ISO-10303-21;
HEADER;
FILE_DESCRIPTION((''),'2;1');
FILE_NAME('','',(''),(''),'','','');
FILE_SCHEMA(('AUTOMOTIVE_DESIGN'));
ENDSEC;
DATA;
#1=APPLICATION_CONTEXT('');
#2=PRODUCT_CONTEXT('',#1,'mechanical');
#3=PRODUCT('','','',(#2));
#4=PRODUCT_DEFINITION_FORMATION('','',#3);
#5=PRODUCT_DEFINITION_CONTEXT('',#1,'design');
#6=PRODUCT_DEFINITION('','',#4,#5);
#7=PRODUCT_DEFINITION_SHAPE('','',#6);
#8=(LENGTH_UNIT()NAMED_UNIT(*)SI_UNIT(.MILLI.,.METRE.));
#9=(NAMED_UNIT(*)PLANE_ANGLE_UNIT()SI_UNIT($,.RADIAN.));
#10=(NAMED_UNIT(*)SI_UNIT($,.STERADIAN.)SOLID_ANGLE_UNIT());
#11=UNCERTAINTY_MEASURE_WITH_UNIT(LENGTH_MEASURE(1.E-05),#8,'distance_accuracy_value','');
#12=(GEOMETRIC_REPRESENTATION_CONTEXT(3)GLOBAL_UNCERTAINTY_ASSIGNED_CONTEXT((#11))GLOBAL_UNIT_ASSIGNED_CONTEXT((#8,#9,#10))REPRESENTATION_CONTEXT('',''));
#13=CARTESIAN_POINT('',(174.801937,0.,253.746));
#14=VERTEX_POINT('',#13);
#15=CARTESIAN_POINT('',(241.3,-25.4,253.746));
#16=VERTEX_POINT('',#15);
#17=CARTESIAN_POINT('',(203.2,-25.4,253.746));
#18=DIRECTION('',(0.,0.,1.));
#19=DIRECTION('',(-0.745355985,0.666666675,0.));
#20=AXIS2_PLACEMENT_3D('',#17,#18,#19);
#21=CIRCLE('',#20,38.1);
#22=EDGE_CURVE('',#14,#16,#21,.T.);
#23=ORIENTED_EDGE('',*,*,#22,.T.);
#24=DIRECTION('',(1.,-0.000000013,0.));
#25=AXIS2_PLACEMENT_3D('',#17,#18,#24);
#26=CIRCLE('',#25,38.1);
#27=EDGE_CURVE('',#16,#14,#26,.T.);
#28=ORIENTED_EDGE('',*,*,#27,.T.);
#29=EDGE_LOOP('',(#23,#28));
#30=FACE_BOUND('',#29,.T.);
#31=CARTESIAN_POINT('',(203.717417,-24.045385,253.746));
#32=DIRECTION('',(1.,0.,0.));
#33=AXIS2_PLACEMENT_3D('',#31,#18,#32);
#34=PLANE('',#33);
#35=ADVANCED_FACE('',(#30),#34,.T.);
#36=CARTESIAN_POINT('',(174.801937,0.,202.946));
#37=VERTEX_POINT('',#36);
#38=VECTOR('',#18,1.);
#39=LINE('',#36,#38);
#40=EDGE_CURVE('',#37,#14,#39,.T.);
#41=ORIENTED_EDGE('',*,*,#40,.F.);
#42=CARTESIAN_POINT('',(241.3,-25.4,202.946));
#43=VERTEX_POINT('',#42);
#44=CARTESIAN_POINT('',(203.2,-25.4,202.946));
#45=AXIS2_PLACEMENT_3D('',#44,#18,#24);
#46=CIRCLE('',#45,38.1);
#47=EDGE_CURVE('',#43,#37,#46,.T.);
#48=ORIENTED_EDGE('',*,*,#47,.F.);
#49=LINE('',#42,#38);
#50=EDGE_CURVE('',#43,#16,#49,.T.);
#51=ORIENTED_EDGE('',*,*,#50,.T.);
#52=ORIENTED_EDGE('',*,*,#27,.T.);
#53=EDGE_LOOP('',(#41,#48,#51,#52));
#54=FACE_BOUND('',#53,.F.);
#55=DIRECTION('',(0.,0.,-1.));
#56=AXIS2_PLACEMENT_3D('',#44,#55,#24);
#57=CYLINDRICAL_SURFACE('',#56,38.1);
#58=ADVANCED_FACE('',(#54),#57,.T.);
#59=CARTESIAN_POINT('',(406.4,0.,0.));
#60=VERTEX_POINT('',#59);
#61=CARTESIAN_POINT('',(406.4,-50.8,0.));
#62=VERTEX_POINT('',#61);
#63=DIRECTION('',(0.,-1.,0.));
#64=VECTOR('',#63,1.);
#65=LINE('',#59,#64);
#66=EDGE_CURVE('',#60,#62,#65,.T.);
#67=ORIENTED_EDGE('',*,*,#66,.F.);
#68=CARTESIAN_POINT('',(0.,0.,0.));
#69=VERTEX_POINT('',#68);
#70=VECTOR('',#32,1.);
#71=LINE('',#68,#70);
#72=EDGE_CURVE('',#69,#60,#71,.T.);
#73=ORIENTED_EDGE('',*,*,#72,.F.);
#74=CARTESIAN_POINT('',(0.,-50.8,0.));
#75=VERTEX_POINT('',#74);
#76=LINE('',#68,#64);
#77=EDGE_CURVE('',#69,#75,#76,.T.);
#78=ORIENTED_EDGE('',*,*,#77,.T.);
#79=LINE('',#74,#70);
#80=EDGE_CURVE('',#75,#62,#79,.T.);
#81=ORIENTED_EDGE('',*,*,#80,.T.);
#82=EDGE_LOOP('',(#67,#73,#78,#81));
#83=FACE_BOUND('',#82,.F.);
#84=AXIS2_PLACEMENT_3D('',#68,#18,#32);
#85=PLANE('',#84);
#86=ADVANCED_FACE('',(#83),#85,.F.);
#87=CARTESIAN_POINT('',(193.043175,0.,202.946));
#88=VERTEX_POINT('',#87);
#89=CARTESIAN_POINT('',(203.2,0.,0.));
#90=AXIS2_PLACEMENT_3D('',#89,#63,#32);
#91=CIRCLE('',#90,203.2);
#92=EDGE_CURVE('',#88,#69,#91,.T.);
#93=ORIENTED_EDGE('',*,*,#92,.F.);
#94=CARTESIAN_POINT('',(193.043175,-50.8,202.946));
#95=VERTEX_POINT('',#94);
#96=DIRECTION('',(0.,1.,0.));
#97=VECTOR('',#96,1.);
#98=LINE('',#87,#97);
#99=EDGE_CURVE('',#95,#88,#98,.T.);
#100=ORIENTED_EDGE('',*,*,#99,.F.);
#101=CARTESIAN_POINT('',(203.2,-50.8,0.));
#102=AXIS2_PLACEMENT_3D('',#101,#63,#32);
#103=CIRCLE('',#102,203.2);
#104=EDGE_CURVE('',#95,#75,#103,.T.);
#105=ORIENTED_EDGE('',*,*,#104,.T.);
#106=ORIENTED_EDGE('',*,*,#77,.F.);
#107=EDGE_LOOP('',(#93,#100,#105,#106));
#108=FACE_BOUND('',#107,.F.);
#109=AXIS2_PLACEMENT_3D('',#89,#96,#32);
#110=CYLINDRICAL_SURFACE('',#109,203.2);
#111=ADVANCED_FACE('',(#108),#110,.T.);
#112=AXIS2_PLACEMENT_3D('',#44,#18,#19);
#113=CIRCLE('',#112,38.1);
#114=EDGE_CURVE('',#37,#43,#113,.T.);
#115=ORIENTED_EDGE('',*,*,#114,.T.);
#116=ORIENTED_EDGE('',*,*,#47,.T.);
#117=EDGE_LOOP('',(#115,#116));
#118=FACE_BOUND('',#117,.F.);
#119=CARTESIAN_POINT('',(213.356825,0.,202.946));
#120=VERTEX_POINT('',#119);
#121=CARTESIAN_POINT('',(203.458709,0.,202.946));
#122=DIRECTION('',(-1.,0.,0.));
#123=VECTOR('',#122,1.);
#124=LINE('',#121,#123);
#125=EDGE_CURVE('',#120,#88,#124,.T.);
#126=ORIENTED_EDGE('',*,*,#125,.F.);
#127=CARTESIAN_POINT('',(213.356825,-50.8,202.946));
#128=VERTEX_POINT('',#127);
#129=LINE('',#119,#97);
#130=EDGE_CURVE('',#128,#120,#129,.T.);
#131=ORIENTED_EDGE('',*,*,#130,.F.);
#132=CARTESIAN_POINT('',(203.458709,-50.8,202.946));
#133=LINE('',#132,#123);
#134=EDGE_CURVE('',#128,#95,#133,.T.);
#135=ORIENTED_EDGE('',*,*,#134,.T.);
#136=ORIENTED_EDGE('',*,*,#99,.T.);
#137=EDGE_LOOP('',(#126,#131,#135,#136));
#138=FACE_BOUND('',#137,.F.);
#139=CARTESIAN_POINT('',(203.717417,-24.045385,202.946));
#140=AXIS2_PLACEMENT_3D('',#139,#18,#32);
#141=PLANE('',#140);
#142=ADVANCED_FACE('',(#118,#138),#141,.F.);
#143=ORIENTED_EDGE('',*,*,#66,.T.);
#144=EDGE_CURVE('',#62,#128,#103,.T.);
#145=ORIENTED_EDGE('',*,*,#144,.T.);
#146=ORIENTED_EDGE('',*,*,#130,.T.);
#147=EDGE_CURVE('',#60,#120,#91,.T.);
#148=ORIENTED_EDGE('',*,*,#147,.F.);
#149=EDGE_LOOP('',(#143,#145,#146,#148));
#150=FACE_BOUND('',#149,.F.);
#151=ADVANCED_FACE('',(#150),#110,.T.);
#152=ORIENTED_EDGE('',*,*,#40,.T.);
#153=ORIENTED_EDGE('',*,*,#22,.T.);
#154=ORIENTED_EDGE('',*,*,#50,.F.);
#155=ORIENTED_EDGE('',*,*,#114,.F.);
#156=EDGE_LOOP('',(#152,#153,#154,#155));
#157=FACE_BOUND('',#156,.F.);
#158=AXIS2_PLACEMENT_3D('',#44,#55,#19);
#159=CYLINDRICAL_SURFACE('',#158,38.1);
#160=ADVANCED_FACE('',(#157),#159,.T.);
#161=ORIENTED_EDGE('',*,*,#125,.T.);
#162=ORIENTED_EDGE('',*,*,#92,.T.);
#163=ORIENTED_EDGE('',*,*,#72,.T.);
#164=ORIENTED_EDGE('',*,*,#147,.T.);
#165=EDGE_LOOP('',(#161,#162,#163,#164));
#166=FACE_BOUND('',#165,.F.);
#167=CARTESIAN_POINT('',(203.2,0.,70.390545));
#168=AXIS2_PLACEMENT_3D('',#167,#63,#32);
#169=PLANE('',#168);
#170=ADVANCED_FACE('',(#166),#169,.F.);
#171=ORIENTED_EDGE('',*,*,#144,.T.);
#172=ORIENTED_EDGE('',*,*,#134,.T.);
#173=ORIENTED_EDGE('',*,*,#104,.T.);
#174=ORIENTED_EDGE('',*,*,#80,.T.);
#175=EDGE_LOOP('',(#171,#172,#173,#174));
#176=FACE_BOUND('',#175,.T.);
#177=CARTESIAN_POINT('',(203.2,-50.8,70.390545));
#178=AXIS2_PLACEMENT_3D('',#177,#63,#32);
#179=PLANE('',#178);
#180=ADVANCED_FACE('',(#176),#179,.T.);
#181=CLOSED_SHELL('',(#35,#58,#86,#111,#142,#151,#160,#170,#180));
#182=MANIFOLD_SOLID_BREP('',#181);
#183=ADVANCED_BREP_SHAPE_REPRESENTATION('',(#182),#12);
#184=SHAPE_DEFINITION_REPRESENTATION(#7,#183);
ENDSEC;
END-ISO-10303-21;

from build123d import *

# Parameters (mm, degrees)
F1_DEPTH = 50.8
F4_DEPTH = 50.8


with BuildPart() as f1:
    # F0 (on Front) → F1 (new body)
    with BuildSketch(Plane.XZ):
        with BuildLine():
            ThreePointArc((406.4, 0), (203.2, 203.2), (0, 0))
            Line((0, 0), (406.4, 0))
        make_face()
    extrude(amount=F1_DEPTH)

    # F3 (on offset) → F4 (join)
    with BuildSketch(Plane.XY.offset(202.946)):
        with BuildLine():
            ThreePointArc((174.801937, 0), (189.605078, -60.991967), (241.3, -25.4))
            ThreePointArc((241.3, -25.4), (216.794922, 10.191967), (174.801937, 0))
        make_face()
    extrude(amount=F4_DEPTH)


solid = f1.part
